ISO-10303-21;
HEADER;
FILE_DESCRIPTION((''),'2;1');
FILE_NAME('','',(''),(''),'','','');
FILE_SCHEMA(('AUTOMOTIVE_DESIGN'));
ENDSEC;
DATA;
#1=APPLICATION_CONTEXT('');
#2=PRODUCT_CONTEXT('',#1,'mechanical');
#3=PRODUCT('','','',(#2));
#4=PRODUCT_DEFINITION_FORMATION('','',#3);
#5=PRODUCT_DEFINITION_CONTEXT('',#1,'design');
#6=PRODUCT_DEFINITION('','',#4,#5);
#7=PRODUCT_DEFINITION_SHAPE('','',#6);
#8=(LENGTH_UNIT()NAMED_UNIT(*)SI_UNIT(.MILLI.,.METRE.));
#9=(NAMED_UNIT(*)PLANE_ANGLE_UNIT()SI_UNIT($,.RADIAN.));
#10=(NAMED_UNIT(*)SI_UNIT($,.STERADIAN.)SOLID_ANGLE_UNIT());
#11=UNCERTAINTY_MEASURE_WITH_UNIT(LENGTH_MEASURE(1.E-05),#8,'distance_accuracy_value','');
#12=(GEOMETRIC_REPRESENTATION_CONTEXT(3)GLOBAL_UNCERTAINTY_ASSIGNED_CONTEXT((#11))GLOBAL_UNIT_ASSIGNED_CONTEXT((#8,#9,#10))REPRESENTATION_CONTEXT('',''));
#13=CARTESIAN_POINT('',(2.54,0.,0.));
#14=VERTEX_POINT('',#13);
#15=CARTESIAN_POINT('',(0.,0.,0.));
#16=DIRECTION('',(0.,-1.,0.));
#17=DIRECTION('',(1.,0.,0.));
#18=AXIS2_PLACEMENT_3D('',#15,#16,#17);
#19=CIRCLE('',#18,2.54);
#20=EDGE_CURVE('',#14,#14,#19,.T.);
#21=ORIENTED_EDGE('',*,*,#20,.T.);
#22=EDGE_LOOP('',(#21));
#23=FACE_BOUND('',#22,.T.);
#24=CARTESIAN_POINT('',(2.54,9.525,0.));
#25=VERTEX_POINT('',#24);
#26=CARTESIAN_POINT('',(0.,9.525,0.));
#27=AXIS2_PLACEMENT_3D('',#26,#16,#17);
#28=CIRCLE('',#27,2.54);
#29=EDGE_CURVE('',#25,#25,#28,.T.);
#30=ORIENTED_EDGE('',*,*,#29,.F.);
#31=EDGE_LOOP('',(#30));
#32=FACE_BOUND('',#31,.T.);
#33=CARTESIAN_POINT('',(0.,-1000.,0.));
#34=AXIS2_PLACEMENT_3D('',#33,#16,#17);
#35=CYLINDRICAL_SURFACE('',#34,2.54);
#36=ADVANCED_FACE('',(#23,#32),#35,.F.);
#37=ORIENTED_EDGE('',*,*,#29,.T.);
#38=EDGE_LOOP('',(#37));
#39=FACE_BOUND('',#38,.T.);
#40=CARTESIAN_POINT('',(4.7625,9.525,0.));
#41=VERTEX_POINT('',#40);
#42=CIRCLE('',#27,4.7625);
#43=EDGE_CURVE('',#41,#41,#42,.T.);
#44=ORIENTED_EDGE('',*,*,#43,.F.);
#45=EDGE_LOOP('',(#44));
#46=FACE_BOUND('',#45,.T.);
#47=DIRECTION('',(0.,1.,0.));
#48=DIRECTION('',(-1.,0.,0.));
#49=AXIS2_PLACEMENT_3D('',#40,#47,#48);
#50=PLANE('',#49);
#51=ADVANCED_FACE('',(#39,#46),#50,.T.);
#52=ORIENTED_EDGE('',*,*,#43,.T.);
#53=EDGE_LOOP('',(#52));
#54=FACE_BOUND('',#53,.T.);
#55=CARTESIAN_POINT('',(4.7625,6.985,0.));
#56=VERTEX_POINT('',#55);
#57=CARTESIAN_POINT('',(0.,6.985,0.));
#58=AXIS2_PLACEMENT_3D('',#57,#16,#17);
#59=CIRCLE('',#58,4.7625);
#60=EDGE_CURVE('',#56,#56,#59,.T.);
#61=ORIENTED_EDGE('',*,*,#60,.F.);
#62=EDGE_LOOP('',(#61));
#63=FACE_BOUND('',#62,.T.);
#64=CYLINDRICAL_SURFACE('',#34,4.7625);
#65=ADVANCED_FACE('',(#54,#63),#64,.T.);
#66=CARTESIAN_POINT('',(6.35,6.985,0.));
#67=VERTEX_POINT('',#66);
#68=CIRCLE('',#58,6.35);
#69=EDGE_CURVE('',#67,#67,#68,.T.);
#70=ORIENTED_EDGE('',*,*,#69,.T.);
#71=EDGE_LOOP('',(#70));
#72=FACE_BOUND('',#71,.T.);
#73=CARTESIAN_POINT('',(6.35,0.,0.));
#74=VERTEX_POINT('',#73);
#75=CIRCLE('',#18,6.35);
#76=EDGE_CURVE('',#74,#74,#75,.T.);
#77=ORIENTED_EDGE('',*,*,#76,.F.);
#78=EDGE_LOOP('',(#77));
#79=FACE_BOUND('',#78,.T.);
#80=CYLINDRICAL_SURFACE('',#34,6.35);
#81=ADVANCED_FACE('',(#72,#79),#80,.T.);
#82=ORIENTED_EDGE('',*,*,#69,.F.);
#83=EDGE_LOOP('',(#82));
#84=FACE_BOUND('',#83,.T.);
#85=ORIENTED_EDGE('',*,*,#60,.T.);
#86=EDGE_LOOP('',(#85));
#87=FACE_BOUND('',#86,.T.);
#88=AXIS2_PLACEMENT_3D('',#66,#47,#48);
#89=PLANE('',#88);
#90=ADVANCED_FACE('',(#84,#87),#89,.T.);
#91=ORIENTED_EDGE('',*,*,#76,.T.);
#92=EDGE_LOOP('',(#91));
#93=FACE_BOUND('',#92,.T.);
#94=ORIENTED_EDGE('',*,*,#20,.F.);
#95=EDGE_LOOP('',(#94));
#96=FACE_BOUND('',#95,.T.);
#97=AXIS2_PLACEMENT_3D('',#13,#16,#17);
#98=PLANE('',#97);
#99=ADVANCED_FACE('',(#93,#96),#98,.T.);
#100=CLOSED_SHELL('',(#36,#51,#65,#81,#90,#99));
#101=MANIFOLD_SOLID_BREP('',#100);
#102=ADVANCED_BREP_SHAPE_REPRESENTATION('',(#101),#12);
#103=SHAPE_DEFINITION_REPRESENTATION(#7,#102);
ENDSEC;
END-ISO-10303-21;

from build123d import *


with BuildPart() as part:
    # Sketch1 → Revolve1 (revolve)
    with BuildSketch(Plane.XY):
        Polygon((2.54, 0), (6.35, 0), (6.35, 6.985), (4.7625, 6.985), (4.7625, 9.525), (2.54, 9.525), align=None)
    revolve(axis=Axis((0, -1000, 0), (0, 1, 0)))


solid = part.part
